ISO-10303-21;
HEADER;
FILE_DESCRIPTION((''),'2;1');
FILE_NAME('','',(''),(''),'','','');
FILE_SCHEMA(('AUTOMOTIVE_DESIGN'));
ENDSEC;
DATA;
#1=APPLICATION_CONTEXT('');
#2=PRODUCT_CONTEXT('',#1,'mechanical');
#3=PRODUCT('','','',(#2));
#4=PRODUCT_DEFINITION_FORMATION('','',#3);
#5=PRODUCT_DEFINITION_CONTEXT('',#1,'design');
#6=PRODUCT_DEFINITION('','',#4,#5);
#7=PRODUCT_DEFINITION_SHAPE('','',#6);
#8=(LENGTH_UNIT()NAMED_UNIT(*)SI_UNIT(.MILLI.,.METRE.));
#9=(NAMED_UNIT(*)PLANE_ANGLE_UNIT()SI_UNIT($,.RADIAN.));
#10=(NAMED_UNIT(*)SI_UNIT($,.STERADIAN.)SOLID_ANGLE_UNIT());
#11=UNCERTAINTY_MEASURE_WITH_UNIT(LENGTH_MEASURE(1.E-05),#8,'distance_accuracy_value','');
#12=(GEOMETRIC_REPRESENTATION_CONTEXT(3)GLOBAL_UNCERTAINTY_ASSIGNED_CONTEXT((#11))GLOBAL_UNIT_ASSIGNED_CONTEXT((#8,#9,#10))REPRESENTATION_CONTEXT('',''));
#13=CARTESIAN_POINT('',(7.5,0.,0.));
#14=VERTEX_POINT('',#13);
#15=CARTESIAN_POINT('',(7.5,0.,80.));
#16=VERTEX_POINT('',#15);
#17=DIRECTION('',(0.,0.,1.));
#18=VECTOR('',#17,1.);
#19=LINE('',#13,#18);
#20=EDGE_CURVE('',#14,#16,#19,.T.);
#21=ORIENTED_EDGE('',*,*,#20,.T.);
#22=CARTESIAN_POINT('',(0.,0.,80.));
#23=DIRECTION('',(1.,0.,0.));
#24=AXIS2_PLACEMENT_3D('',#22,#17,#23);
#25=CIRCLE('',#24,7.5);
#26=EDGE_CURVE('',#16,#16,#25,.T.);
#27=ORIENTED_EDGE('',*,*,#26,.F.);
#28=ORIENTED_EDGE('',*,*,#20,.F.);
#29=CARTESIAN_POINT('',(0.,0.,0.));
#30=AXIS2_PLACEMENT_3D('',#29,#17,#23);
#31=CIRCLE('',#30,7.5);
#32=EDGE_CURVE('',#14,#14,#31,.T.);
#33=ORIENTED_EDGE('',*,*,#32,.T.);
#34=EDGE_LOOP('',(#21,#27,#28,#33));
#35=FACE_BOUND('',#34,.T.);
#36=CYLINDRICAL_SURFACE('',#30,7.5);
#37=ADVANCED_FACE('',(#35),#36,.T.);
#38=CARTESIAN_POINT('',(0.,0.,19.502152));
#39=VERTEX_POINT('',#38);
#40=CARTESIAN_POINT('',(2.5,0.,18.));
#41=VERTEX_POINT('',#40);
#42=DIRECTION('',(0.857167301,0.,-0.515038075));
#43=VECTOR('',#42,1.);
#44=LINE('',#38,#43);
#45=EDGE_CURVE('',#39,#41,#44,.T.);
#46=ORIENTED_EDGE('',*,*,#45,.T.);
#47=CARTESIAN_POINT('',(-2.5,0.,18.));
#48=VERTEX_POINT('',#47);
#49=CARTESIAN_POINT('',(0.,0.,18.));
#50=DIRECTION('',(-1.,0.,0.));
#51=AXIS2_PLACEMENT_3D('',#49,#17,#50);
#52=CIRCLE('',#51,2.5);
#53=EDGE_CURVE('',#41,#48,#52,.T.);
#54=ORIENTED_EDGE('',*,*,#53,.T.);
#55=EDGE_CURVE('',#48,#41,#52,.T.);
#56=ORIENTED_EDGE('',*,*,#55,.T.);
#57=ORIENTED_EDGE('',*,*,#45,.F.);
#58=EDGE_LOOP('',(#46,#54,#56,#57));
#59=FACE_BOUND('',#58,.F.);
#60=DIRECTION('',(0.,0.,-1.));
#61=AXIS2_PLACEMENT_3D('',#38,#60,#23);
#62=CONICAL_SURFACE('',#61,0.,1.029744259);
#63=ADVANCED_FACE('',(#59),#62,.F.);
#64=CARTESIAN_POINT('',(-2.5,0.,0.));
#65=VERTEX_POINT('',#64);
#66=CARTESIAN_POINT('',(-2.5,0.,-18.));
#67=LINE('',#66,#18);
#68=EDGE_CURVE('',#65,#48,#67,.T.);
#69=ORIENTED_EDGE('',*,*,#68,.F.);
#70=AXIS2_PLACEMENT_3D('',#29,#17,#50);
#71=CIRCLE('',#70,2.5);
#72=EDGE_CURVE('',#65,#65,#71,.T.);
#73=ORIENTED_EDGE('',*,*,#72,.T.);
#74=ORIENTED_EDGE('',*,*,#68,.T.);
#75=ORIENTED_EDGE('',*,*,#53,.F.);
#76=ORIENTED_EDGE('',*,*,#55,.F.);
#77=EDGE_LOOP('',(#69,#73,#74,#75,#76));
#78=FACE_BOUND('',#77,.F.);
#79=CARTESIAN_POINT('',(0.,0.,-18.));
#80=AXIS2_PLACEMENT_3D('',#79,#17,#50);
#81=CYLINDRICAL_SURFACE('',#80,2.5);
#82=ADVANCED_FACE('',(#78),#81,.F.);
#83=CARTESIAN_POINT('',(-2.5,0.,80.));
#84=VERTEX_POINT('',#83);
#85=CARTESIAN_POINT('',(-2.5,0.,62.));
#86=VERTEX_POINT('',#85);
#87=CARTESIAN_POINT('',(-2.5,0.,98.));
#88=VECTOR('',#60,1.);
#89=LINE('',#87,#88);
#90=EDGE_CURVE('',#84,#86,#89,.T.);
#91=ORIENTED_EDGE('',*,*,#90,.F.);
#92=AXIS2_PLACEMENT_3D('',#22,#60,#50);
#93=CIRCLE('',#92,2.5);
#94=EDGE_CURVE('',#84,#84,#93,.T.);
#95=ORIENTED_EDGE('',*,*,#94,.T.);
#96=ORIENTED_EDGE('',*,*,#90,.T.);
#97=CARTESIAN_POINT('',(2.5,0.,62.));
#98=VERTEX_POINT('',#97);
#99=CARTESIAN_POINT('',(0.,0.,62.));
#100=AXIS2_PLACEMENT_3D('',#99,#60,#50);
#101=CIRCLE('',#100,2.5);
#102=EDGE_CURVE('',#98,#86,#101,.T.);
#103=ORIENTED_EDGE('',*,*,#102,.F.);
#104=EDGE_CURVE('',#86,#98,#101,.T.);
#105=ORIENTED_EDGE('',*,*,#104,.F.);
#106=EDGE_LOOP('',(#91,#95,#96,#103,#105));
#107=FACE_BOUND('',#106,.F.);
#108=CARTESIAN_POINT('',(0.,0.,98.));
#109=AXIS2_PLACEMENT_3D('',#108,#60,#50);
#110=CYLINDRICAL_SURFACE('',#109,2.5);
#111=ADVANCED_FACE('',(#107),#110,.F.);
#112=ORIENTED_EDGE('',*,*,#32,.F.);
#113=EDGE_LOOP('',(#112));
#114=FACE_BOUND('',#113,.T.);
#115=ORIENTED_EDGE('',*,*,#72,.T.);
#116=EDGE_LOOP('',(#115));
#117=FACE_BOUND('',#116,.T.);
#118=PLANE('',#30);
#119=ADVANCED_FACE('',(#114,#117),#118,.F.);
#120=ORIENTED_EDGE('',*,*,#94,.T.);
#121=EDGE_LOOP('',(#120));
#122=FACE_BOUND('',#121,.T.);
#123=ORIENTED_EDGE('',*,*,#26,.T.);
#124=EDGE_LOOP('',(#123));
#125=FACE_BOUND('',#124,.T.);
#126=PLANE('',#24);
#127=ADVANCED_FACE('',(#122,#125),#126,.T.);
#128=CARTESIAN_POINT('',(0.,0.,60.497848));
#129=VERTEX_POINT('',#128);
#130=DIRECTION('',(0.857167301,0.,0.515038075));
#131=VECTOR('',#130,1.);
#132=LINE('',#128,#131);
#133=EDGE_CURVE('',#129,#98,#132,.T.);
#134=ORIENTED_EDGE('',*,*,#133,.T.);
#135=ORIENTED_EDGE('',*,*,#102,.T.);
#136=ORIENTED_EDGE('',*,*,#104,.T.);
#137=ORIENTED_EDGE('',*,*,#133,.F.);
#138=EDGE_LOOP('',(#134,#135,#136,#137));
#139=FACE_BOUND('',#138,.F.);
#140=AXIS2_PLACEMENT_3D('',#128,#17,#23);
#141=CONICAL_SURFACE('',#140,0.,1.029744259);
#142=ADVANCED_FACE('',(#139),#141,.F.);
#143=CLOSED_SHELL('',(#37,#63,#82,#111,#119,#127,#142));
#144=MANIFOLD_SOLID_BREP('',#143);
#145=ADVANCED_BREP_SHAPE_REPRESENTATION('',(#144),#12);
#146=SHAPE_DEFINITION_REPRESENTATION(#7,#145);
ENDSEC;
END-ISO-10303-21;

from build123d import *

# Parameters (mm, degrees)
F3_D     = 5
F3_DEPTH = 18
F3_TIP   = 1.5021515476
F5_D     = 5
F5_DEPTH = 18
F5_TIP   = 1.5021515476


with BuildPart() as f1:
    # F0 (on Front) → F1 (revolve)
    with BuildSketch(Plane.XZ):
        Polygon((7.5, 80), (2, 80), (2, 65), (0, 65), (0, 15), (2, 15), (2, 0), (7.5, 0), align=None)
    revolve(axis=Axis((0, 0, 48.5607869923), (0, 0, 1)))

    # F3
    with Locations(Plane.XY.offset(80)):
        with Locations((0, 0)):
            Hole(F3_D / 2, depth=F3_DEPTH)
            with Locations((0, 0, -(F3_DEPTH + F3_TIP / 2))):  # 118° drill point
                Cone(0, F3_D / 2, F3_TIP, mode=Mode.SUBTRACT)

    # F5
    with Locations(Plane(origin=(0, 0, 0), x_dir=(1, 0, 0), z_dir=(0, 0, -1))):
        with Locations((0, 0)):
            Hole(F5_D / 2, depth=F5_DEPTH)
            with Locations((0, 0, -(F5_DEPTH + F5_TIP / 2))):  # 118° drill point
                Cone(0, F5_D / 2, F5_TIP, mode=Mode.SUBTRACT)


solid = f1.part
